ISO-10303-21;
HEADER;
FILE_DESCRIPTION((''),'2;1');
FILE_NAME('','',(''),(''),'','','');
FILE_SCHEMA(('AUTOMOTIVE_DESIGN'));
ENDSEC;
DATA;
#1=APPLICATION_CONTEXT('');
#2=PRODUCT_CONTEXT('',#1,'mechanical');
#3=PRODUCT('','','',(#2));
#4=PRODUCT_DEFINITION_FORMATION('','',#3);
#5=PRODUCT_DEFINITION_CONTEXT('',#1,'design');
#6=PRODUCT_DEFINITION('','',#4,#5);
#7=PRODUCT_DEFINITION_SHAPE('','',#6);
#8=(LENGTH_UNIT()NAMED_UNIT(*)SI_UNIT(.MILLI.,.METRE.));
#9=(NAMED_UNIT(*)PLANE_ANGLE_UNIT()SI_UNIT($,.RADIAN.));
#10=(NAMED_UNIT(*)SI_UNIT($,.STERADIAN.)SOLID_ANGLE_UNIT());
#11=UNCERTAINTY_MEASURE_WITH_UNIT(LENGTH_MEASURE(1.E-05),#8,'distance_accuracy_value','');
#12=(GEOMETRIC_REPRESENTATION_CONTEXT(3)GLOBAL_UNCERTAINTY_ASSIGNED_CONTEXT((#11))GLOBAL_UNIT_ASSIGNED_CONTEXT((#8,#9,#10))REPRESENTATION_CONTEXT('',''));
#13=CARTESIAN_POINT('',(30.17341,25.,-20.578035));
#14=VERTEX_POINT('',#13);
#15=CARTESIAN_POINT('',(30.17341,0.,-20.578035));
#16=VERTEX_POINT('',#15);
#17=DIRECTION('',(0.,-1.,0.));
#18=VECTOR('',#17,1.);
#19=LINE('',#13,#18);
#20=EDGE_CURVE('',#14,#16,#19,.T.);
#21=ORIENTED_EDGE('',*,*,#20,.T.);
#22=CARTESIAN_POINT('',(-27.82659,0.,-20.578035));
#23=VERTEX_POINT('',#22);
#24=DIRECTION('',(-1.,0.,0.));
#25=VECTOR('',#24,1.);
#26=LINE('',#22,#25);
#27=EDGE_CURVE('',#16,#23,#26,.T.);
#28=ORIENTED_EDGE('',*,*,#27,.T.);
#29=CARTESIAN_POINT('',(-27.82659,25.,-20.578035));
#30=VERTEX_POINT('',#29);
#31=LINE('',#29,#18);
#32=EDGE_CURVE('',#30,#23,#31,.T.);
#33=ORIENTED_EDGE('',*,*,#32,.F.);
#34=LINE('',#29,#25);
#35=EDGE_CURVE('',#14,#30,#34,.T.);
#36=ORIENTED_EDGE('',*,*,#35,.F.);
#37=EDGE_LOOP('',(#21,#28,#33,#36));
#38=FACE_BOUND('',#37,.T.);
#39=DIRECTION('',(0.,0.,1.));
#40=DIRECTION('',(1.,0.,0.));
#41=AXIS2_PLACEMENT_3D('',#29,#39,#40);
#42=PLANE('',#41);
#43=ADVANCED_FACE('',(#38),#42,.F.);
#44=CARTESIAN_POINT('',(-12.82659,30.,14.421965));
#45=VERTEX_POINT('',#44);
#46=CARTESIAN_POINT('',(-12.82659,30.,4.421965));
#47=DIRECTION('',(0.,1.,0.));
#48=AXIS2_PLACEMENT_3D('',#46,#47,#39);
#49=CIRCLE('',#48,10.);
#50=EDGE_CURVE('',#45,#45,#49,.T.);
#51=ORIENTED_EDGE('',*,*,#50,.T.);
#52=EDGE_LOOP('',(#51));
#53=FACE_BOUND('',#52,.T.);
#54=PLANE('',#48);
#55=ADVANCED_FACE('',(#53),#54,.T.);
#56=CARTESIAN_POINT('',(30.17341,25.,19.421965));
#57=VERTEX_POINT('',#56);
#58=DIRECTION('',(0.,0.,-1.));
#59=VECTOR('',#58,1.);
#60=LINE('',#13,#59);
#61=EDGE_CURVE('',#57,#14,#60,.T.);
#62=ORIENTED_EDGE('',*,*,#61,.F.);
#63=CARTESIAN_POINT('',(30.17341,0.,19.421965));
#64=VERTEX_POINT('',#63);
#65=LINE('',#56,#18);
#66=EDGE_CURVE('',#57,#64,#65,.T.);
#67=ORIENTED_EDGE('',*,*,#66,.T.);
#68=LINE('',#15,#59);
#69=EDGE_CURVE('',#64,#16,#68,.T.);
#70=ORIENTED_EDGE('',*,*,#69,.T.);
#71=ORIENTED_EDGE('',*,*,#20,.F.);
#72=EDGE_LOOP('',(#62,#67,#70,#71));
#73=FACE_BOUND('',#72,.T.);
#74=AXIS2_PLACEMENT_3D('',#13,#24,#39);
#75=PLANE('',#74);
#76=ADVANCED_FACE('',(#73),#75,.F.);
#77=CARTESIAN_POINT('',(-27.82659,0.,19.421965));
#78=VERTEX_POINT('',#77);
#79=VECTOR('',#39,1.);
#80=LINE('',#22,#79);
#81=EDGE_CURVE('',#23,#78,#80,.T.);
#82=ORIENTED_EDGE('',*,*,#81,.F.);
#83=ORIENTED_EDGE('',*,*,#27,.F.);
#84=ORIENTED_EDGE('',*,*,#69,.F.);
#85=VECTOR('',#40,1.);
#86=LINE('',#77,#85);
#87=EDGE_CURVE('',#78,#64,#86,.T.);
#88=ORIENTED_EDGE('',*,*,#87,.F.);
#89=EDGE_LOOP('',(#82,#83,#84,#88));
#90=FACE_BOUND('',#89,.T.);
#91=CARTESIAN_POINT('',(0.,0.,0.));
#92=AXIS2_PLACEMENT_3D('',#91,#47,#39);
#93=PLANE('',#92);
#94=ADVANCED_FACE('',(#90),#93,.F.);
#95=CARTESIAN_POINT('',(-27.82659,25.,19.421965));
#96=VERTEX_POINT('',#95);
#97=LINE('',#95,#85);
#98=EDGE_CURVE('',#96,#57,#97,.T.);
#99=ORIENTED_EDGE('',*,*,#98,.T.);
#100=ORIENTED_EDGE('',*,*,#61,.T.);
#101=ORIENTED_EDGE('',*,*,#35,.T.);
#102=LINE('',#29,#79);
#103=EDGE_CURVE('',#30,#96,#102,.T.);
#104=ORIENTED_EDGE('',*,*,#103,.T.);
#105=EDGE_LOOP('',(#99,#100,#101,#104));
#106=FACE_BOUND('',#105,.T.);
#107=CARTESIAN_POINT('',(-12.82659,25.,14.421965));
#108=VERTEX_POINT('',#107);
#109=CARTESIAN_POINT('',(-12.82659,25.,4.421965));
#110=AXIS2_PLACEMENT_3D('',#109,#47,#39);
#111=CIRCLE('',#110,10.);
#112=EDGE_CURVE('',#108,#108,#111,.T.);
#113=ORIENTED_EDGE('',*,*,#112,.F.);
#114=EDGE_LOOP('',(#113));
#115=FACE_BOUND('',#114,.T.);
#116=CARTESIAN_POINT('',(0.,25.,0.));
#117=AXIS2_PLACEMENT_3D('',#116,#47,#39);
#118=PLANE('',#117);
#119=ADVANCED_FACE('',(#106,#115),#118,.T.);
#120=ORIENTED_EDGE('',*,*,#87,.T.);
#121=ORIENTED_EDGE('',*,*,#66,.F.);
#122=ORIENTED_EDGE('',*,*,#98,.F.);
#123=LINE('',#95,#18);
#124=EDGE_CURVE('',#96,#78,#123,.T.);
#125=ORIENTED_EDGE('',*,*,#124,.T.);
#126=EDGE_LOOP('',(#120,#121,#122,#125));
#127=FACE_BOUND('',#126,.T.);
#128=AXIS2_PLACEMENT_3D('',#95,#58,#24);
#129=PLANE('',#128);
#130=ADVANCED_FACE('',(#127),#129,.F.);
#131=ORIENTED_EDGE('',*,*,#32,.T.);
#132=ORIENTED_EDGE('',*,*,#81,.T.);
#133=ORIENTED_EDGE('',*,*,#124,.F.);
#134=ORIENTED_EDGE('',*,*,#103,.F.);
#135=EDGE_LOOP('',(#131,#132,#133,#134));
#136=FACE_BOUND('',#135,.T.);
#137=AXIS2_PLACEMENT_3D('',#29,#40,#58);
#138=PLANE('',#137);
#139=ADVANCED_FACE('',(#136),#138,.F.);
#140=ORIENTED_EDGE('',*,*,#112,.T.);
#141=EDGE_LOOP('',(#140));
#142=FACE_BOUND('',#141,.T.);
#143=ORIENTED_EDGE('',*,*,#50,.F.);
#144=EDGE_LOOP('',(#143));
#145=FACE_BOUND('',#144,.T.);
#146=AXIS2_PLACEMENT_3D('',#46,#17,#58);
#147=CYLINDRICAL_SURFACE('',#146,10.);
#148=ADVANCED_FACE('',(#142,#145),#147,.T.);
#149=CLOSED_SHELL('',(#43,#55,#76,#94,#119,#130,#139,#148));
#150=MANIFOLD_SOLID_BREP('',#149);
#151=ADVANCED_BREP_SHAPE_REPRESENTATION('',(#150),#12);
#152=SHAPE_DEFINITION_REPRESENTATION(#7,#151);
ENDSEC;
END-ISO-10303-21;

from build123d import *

# Parameters (mm, degrees)
SKETCH1_W           = 58
SKETCH1_H           = 40
BOSS_EXTRUDE1_DEPTH = 25
SKETCH2_R           = 10
BOSS_EXTRUDE2_DEPTH = 5


with BuildPart() as part:
    # Sketch1 → Boss-Extrude1 (new body)
    with BuildSketch(Plane(origin=(0, 0, 0), x_dir=(1, 0, 0), z_dir=(0, 1, 0))):
        with Locations((1.173410405, 0.578034682)):
            Rectangle(SKETCH1_W, SKETCH1_H)
    extrude(amount=BOSS_EXTRUDE1_DEPTH)

    # Sketch2 → Boss-Extrude2 (add)
    with BuildSketch(Plane(origin=(0, 25, 0), x_dir=(1, 0, 0), z_dir=(0, 1, 0))):
        with Locations(Location((-12.826589595, -4.421965318, 0), (0, 0, 270))):
            Circle(SKETCH2_R)
    extrude(amount=BOSS_EXTRUDE2_DEPTH)


solid = part.part
